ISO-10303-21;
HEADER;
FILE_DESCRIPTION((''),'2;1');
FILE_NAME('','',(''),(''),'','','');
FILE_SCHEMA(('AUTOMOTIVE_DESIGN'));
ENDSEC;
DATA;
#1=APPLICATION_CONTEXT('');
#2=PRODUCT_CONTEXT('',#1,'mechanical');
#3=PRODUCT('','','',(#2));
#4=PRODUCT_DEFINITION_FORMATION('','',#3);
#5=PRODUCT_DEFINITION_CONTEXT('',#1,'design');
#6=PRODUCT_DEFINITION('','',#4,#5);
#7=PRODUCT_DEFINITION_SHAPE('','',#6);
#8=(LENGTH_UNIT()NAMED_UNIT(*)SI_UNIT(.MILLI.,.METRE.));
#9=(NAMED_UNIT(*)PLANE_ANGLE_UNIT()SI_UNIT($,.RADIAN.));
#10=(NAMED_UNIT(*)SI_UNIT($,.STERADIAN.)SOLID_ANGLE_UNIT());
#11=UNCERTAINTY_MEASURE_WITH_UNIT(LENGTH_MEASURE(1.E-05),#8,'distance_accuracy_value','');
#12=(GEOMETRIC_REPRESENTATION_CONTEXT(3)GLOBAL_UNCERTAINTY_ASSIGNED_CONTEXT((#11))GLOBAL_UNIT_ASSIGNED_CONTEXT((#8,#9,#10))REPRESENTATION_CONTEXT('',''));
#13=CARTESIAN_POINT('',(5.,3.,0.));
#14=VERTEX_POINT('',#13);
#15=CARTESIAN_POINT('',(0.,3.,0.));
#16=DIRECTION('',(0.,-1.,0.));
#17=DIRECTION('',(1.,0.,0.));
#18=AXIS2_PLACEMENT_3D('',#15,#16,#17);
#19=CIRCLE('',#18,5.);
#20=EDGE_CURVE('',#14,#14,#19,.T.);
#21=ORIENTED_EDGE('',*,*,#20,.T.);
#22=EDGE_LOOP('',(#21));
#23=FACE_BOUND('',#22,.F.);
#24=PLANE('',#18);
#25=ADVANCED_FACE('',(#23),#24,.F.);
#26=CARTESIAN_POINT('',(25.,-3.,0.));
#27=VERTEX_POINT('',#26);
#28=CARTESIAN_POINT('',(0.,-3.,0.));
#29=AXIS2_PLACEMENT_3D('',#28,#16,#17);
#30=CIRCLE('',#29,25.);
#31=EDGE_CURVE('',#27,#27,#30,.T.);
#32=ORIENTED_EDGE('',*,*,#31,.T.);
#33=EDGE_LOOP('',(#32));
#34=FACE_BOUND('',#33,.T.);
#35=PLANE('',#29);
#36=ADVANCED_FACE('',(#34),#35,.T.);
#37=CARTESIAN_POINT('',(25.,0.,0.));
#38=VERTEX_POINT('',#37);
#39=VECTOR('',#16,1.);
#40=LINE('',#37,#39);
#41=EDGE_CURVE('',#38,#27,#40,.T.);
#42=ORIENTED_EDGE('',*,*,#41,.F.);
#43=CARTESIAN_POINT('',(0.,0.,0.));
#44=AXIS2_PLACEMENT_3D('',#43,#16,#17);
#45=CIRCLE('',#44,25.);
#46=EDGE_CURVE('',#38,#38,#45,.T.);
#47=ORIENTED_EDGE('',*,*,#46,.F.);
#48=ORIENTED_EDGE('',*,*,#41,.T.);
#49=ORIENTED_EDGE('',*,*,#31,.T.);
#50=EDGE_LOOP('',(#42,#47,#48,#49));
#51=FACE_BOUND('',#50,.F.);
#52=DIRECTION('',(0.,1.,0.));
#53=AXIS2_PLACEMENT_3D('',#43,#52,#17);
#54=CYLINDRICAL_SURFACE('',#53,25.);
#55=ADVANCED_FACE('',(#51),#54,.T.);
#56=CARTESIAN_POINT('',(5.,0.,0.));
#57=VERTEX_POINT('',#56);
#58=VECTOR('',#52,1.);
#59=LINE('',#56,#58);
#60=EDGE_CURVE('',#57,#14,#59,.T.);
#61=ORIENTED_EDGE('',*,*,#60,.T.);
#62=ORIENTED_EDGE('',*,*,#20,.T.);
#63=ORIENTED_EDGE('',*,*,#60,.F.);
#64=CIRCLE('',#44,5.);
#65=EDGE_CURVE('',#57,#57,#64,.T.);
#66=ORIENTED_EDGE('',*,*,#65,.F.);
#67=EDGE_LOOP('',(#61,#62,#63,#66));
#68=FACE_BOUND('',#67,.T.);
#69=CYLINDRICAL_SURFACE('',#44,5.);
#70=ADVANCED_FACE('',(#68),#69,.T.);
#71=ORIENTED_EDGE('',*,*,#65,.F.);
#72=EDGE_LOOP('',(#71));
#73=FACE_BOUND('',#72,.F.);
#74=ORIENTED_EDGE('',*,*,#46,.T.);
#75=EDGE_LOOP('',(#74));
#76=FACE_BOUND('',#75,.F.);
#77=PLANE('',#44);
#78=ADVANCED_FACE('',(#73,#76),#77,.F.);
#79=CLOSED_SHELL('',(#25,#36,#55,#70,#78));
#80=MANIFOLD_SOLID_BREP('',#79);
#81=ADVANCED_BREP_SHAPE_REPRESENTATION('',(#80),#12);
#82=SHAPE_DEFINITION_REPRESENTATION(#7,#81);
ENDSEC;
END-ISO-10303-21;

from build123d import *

# Parameters (mm, degrees)
F0_R     = 25
F0_R_2   = 5
F1_DEPTH = 3
F2_DEPTH = 3


with BuildPart() as f1:
    # F0 (on Front) → F1 (new body)
    with BuildSketch(Plane.XZ):
        Circle(F0_R)
        Circle(F0_R_2, mode=Mode.SUBTRACT)
        Circle(F0_R_2)
    extrude(amount=F1_DEPTH)

    # F0 (on Front) → F2 (join)
    with BuildSketch(Plane.XZ):
        Circle(F0_R_2)
    extrude(amount=-F2_DEPTH)


solid = f1.part
